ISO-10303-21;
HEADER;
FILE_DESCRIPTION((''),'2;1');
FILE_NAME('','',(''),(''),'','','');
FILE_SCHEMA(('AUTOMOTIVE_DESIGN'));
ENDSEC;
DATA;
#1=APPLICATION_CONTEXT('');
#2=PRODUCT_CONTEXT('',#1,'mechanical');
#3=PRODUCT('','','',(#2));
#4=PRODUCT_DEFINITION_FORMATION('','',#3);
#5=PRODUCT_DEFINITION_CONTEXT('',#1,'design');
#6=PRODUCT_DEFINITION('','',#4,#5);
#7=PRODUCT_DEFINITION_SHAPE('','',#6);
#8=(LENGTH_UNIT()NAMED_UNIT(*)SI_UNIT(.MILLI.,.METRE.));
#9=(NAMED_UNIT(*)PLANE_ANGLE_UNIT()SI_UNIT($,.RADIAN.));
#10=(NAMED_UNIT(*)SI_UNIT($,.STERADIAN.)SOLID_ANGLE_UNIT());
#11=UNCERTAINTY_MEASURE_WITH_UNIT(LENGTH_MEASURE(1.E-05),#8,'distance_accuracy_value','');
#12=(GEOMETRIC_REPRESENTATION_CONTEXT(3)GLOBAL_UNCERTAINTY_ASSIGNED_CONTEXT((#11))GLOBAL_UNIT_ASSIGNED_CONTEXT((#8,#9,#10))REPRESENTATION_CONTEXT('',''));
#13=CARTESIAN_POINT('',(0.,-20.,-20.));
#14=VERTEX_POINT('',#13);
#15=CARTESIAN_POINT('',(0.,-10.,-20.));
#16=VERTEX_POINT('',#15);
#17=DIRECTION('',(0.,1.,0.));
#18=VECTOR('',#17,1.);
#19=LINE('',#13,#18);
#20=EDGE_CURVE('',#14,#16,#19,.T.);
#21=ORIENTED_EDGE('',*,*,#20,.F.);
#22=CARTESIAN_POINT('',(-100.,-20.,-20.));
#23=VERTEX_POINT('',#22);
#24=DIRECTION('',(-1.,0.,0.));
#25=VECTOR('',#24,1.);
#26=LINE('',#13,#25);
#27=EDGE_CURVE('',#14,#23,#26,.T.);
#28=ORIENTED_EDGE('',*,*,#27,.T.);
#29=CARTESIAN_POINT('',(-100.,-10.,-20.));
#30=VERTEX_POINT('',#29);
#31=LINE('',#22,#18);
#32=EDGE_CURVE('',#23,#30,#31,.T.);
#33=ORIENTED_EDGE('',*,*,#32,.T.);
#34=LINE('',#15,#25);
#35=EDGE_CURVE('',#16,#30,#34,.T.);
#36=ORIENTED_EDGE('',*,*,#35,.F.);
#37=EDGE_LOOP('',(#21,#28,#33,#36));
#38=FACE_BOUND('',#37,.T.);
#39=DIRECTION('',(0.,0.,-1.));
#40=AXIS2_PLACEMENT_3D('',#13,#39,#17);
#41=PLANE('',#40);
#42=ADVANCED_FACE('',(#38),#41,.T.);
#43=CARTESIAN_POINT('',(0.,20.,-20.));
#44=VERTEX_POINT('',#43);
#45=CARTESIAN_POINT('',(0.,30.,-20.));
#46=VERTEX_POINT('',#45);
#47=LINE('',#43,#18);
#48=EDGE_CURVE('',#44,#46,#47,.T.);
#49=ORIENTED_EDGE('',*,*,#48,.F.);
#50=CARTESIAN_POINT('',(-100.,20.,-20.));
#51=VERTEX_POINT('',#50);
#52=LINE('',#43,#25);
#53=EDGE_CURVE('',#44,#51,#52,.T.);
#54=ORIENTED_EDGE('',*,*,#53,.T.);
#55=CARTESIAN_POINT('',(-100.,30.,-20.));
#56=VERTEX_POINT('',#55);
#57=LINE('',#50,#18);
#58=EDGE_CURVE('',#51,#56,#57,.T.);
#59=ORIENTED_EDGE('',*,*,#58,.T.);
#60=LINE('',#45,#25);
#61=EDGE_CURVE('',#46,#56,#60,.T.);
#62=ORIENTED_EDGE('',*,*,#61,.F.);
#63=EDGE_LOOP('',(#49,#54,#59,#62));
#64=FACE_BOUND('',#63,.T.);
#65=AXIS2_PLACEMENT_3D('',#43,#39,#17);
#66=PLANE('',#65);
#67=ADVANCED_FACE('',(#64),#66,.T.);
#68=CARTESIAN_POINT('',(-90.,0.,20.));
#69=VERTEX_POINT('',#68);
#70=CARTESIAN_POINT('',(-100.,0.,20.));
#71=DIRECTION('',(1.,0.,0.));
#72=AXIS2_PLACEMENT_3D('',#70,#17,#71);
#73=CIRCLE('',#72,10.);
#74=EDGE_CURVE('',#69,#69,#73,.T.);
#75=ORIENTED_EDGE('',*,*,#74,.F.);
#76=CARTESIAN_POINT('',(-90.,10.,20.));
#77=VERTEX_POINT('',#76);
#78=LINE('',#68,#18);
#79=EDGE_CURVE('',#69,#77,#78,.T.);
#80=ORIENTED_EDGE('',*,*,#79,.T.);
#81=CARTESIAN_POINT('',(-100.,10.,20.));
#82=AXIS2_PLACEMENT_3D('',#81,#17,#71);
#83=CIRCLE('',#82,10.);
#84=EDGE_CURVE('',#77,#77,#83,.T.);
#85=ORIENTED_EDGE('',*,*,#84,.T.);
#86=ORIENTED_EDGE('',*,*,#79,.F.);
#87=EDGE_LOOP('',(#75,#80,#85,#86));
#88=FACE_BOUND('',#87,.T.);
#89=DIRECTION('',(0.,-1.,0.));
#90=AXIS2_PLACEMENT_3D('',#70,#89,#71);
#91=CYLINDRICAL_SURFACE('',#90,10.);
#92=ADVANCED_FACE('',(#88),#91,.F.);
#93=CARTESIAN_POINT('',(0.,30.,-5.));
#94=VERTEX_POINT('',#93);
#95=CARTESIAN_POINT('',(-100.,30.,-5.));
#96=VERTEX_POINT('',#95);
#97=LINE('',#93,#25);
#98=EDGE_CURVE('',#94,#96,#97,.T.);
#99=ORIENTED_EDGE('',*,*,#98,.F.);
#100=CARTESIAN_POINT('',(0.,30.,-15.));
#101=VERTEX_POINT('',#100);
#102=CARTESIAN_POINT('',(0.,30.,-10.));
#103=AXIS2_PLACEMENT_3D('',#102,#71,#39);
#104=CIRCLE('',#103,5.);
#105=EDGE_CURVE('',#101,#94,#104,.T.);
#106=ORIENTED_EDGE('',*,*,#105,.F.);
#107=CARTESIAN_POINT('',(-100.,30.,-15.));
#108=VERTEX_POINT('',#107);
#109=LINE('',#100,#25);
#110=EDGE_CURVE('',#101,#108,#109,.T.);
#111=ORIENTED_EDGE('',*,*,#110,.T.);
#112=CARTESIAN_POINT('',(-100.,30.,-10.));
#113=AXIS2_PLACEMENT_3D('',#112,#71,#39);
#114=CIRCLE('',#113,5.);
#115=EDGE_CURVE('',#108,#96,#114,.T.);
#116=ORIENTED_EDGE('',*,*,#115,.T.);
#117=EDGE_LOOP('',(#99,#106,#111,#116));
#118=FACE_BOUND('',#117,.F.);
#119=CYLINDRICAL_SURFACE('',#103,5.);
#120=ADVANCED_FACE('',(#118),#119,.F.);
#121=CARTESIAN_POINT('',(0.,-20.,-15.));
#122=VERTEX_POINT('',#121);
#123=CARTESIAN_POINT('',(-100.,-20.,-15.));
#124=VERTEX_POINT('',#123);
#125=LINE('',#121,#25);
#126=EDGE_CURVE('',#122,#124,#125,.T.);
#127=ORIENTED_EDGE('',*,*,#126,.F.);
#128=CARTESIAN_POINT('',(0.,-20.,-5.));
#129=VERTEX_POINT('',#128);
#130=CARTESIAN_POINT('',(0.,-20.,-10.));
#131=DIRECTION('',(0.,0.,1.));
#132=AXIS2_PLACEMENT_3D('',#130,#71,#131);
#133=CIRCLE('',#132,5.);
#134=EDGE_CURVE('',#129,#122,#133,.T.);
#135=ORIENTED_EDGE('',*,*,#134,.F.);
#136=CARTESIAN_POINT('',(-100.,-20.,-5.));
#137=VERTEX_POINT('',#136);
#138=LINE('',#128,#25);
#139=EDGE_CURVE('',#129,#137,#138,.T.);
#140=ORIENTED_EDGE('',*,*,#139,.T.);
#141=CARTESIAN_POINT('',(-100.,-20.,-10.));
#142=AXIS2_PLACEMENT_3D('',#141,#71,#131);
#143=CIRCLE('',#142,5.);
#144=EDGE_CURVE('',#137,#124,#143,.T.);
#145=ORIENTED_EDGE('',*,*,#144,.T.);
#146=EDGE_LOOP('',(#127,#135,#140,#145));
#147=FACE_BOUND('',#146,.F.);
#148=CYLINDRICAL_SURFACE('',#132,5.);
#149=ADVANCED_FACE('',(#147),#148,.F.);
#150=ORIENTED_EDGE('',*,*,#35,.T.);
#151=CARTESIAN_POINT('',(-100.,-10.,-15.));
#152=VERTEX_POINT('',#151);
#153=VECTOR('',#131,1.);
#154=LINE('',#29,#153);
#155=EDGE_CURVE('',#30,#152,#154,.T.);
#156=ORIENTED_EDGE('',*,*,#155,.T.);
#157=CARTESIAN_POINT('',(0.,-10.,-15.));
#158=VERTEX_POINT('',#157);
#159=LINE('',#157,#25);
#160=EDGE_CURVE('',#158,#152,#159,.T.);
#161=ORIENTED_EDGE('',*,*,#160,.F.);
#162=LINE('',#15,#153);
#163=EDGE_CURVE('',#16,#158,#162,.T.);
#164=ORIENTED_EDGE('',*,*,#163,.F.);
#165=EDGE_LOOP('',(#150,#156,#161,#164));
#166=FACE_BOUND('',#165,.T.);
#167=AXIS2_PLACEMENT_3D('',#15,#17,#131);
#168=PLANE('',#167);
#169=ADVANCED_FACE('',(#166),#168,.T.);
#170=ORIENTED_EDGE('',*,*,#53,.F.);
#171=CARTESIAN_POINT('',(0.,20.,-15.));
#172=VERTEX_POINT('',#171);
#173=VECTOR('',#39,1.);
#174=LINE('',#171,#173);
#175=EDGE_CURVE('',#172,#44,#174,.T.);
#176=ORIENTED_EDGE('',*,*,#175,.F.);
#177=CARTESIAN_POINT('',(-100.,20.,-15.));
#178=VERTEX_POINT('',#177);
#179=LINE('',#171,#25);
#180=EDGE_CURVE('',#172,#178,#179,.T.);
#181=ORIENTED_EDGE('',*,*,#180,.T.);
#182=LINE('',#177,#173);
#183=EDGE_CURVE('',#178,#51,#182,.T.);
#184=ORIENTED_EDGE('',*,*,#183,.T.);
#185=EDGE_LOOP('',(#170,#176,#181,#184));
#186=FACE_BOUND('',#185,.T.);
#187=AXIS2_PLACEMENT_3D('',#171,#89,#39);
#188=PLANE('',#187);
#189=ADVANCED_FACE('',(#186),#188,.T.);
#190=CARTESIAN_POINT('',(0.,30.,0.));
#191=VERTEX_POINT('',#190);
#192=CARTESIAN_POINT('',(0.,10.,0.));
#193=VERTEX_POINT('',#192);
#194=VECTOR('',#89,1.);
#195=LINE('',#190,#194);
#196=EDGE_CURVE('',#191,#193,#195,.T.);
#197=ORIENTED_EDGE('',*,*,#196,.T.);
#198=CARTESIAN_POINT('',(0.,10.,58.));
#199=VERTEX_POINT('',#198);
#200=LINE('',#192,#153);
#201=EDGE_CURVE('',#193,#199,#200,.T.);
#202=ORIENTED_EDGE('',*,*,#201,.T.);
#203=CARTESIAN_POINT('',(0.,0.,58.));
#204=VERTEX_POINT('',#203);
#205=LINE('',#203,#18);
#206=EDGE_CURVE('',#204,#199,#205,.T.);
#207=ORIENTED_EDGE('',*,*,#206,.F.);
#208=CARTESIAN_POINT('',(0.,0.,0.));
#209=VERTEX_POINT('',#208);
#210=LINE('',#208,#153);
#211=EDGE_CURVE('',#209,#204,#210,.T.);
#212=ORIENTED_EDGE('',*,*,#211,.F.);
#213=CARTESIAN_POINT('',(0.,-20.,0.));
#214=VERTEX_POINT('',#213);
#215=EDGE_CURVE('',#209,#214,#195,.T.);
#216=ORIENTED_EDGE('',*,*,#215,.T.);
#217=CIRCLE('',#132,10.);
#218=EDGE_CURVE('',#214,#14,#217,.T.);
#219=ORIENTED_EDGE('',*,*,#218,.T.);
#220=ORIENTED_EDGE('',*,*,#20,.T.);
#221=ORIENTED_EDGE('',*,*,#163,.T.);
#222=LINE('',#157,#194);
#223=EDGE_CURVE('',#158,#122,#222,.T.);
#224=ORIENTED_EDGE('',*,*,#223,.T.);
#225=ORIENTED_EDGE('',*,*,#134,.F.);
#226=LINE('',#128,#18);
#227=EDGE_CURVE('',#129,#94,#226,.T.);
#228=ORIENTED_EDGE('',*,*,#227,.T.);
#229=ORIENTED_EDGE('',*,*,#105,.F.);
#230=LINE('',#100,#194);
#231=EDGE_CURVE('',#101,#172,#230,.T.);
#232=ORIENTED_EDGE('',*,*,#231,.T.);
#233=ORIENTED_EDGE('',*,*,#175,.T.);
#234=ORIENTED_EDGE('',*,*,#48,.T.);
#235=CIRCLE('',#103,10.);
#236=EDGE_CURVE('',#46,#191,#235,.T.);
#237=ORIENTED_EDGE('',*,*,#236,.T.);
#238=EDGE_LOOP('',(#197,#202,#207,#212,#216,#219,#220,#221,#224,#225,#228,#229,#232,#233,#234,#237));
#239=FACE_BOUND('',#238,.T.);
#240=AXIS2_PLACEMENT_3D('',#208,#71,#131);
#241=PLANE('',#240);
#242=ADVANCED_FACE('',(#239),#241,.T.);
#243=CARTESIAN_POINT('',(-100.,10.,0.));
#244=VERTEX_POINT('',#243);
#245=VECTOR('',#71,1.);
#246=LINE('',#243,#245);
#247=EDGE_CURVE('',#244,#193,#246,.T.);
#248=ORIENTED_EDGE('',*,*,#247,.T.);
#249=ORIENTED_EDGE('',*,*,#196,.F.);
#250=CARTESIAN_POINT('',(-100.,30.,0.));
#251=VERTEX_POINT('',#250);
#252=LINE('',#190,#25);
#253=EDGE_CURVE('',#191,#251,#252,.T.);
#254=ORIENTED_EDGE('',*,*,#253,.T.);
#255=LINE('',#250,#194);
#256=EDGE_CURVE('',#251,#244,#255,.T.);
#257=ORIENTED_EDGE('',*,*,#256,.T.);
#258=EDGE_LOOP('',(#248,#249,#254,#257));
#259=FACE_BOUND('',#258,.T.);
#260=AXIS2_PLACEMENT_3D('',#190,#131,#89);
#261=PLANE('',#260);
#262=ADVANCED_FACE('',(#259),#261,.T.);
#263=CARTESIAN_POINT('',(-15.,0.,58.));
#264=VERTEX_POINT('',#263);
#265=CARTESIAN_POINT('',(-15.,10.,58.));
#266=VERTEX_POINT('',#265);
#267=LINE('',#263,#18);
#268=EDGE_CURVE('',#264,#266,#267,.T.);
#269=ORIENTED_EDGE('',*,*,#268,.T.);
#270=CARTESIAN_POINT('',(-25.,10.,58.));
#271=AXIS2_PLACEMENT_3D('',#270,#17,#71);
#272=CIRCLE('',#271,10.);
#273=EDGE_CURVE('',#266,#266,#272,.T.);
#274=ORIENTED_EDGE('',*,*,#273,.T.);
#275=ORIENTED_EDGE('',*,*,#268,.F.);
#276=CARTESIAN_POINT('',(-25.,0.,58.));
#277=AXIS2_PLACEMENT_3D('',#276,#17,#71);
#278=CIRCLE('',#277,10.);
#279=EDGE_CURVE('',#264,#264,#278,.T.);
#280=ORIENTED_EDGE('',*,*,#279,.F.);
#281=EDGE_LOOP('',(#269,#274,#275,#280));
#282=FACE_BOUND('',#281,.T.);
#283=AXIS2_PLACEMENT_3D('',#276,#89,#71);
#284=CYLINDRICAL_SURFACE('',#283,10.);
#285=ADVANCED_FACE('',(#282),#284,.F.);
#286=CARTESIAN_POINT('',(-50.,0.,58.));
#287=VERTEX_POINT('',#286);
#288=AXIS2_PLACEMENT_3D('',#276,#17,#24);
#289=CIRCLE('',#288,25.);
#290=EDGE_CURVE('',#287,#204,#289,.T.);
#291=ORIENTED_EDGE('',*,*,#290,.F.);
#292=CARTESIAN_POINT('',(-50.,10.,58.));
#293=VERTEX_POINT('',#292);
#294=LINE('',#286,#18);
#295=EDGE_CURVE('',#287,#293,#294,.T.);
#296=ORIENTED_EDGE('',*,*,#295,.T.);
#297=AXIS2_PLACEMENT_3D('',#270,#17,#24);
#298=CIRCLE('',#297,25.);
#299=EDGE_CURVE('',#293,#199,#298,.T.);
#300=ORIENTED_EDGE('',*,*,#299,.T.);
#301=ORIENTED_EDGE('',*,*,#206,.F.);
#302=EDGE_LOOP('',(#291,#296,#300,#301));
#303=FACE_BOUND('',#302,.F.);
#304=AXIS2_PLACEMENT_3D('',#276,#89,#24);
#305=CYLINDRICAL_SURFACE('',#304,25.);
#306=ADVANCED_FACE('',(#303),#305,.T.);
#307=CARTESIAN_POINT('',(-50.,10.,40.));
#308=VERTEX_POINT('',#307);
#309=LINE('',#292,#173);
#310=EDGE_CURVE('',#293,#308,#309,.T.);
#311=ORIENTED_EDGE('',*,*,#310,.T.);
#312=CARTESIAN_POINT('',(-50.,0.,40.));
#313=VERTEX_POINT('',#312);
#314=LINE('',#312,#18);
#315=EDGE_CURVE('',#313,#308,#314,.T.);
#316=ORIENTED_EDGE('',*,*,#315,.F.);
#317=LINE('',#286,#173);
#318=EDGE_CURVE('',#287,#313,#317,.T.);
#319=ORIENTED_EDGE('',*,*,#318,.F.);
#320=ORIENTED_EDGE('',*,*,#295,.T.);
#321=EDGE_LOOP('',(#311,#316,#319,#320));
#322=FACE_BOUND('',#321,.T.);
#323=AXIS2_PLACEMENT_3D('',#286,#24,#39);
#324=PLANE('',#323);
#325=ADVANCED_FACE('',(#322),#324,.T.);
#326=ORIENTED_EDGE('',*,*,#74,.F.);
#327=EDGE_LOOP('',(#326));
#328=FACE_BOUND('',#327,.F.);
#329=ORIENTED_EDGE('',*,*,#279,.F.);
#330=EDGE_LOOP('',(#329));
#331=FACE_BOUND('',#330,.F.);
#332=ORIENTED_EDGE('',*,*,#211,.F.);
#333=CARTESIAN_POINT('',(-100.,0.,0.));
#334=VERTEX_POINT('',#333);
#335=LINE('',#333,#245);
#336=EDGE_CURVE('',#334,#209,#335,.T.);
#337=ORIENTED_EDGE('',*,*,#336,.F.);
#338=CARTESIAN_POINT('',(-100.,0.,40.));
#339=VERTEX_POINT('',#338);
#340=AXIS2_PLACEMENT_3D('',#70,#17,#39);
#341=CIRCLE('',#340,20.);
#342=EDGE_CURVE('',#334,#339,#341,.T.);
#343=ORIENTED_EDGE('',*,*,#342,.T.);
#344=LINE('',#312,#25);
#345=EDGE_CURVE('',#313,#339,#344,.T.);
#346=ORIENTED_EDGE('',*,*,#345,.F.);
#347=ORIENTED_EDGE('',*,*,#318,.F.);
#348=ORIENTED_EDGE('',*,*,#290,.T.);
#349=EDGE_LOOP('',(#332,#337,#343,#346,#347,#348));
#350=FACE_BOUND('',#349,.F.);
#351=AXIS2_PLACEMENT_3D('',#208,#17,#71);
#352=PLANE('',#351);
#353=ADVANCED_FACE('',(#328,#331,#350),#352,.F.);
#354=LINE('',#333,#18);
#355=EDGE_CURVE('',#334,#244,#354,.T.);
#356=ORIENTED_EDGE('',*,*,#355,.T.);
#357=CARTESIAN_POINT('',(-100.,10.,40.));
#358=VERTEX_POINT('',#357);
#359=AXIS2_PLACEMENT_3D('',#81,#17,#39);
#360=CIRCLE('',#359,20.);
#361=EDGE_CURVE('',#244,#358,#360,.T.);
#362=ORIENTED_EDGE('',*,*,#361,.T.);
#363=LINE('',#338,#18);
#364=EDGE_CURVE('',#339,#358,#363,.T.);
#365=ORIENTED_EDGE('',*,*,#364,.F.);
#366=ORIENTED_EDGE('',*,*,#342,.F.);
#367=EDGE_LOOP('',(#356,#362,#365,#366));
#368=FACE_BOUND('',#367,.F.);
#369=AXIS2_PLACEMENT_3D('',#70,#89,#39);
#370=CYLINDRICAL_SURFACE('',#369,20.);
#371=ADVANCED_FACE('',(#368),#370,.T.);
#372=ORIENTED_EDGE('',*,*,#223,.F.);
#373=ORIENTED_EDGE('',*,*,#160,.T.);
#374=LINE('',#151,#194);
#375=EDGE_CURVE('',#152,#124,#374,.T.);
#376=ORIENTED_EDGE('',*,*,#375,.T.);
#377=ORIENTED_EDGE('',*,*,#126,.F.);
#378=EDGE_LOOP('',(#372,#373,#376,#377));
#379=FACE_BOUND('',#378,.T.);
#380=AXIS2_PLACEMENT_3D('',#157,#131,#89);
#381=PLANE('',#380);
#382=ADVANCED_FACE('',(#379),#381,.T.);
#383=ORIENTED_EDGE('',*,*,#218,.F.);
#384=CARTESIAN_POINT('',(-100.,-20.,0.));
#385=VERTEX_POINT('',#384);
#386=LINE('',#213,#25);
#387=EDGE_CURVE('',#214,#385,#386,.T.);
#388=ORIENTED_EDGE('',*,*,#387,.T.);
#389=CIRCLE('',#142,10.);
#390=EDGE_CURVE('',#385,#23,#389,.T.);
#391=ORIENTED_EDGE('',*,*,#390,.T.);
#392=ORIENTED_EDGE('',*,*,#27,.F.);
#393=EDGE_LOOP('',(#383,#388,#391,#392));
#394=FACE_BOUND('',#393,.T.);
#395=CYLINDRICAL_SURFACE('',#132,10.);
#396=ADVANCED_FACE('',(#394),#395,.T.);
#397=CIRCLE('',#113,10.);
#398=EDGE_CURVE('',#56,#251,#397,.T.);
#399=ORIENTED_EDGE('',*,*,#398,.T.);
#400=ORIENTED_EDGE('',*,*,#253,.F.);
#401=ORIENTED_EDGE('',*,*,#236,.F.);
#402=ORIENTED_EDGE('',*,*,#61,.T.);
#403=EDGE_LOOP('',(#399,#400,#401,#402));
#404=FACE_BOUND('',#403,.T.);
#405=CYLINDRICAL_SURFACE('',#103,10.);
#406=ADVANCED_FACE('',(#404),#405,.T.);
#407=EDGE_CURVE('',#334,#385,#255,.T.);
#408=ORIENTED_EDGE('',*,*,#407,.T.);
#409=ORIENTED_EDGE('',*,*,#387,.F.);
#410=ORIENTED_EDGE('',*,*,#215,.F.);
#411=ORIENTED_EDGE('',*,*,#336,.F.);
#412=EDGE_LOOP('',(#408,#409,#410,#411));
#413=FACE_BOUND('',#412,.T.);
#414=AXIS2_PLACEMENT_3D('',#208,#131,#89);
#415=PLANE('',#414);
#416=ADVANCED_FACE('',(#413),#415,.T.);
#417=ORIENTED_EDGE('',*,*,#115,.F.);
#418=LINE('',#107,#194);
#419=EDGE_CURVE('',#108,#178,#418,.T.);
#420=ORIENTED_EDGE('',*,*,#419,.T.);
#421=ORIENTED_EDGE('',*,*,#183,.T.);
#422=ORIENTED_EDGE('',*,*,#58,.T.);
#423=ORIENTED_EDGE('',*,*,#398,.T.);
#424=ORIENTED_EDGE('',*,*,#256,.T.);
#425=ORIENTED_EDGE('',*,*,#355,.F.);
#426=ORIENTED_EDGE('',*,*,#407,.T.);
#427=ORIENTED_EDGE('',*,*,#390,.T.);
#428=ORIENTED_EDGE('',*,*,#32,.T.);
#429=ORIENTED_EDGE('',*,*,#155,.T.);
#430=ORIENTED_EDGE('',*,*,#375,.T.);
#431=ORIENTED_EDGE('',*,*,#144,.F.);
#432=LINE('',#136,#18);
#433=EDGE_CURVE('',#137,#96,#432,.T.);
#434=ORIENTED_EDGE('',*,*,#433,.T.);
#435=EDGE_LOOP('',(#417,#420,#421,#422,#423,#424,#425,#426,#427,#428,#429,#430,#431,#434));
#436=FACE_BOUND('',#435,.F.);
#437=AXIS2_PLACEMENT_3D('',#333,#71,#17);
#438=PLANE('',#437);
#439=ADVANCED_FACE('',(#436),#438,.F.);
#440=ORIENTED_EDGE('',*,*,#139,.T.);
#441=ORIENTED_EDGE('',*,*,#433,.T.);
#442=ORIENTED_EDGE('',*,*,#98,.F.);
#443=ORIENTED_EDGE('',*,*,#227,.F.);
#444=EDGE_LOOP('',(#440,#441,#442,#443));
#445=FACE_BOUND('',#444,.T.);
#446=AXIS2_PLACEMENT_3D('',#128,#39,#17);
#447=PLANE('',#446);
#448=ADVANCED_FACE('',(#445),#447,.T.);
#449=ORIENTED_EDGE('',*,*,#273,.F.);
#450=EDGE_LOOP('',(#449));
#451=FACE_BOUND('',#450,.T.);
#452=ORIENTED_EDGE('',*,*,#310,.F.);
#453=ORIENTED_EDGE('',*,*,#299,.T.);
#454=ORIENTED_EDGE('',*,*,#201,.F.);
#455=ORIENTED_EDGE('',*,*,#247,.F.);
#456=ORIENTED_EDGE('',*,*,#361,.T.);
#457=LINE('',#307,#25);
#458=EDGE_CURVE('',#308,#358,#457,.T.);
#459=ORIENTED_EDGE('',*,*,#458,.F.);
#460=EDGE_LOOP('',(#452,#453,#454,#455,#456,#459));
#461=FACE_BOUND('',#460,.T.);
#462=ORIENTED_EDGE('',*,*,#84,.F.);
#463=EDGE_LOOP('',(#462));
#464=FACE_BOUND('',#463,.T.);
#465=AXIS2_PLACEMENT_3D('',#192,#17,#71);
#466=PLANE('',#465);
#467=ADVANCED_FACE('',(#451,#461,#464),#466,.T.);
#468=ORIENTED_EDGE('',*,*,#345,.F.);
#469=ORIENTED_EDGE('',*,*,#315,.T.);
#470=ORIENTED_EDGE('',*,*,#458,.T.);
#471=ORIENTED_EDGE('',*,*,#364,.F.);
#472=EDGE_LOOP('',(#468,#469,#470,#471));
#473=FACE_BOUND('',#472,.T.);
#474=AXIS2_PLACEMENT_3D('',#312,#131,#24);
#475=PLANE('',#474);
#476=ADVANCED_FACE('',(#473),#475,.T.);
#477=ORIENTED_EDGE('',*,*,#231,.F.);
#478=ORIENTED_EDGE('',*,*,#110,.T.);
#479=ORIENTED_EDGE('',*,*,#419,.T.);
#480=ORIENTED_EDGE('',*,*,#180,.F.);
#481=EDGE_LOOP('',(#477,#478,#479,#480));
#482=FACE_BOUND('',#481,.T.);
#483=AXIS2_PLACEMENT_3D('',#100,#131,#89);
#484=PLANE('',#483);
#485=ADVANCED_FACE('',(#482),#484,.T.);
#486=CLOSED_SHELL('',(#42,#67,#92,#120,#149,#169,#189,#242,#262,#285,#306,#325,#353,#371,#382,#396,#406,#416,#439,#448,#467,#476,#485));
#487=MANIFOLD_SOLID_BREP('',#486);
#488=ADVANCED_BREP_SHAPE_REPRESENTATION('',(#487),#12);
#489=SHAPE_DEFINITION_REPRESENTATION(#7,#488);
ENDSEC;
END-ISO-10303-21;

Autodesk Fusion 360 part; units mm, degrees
sketch "Sketch1" plane through (0, 0, 0) normal (0, 1, 0) x (1, 0, 0)
  line L0 (0, 0) -> (0, -58)
  line L1 (-50, -58) -> (-50, -40)
  line L2 (-50, -40) -> (-100, -40)
  line L3 (-100, 0) -> (0, 0)
  arc A0 (-50, -58) -> (0, -58) centre (-25, -58) ccw
  arc A1 (-100, 0) -> (-100, -40) centre (-100, -20) ccw
  circle A2 centre (-25, -58) radius 10
  circle A3 centre (-100, -20) radius 10
  dimension "d1" = 58
  dimension "d3" = 50
  dimension "d4" = 18
  dimension "d5" = 50
  dimension "d6" = 20
  dimension "d7" = 20
extrude "Extrude1" add sketch "Sketch1" along normal blind 10
sketch "Sketch4" plane through (0, 0, 0) normal (1, 0, 0) x (0, 1, 0)
  line L0 (30, 0) -> (-20, 0)
  arc A0 (-20, 0) -> (-20, -20) centre (-20, -10) ccw
  line L1 (-20, -20) -> (-10, -20)
  line L2 (-10, -20) -> (-10, -15)
  line L3 (-10, -15) -> (-20, -15)
  arc A1 (-20, -5) -> (-20, -15) centre (-20, -10) ccw
  line L4 (-20, -5) -> (30, -5)
  arc A2 (30, -15) -> (30, -5) centre (30, -10) ccw
  line L5 (30, -15) -> (20, -15)
  line L6 (20, -15) -> (20, -20)
  line L7 (20, -20) -> (30, -20)
  arc A3 (30, -20) -> (30, 0) centre (30, -10) ccw
  line L8 (0, 0) -> (-20, 0)
  dimension "d24" = 50
  dimension "d25" = 5
  dimension "d26" = 10
  dimension "d28" = 5
  dimension "d29" = 5
  dimension "d31" = 10
  dimension "d32" = 5
  dimension "d33" = 5
  dimension "d34" = 10
  dimension "d35" = 20
extrude "Extrude2" add sketch "Sketch4" against normal blind 100
